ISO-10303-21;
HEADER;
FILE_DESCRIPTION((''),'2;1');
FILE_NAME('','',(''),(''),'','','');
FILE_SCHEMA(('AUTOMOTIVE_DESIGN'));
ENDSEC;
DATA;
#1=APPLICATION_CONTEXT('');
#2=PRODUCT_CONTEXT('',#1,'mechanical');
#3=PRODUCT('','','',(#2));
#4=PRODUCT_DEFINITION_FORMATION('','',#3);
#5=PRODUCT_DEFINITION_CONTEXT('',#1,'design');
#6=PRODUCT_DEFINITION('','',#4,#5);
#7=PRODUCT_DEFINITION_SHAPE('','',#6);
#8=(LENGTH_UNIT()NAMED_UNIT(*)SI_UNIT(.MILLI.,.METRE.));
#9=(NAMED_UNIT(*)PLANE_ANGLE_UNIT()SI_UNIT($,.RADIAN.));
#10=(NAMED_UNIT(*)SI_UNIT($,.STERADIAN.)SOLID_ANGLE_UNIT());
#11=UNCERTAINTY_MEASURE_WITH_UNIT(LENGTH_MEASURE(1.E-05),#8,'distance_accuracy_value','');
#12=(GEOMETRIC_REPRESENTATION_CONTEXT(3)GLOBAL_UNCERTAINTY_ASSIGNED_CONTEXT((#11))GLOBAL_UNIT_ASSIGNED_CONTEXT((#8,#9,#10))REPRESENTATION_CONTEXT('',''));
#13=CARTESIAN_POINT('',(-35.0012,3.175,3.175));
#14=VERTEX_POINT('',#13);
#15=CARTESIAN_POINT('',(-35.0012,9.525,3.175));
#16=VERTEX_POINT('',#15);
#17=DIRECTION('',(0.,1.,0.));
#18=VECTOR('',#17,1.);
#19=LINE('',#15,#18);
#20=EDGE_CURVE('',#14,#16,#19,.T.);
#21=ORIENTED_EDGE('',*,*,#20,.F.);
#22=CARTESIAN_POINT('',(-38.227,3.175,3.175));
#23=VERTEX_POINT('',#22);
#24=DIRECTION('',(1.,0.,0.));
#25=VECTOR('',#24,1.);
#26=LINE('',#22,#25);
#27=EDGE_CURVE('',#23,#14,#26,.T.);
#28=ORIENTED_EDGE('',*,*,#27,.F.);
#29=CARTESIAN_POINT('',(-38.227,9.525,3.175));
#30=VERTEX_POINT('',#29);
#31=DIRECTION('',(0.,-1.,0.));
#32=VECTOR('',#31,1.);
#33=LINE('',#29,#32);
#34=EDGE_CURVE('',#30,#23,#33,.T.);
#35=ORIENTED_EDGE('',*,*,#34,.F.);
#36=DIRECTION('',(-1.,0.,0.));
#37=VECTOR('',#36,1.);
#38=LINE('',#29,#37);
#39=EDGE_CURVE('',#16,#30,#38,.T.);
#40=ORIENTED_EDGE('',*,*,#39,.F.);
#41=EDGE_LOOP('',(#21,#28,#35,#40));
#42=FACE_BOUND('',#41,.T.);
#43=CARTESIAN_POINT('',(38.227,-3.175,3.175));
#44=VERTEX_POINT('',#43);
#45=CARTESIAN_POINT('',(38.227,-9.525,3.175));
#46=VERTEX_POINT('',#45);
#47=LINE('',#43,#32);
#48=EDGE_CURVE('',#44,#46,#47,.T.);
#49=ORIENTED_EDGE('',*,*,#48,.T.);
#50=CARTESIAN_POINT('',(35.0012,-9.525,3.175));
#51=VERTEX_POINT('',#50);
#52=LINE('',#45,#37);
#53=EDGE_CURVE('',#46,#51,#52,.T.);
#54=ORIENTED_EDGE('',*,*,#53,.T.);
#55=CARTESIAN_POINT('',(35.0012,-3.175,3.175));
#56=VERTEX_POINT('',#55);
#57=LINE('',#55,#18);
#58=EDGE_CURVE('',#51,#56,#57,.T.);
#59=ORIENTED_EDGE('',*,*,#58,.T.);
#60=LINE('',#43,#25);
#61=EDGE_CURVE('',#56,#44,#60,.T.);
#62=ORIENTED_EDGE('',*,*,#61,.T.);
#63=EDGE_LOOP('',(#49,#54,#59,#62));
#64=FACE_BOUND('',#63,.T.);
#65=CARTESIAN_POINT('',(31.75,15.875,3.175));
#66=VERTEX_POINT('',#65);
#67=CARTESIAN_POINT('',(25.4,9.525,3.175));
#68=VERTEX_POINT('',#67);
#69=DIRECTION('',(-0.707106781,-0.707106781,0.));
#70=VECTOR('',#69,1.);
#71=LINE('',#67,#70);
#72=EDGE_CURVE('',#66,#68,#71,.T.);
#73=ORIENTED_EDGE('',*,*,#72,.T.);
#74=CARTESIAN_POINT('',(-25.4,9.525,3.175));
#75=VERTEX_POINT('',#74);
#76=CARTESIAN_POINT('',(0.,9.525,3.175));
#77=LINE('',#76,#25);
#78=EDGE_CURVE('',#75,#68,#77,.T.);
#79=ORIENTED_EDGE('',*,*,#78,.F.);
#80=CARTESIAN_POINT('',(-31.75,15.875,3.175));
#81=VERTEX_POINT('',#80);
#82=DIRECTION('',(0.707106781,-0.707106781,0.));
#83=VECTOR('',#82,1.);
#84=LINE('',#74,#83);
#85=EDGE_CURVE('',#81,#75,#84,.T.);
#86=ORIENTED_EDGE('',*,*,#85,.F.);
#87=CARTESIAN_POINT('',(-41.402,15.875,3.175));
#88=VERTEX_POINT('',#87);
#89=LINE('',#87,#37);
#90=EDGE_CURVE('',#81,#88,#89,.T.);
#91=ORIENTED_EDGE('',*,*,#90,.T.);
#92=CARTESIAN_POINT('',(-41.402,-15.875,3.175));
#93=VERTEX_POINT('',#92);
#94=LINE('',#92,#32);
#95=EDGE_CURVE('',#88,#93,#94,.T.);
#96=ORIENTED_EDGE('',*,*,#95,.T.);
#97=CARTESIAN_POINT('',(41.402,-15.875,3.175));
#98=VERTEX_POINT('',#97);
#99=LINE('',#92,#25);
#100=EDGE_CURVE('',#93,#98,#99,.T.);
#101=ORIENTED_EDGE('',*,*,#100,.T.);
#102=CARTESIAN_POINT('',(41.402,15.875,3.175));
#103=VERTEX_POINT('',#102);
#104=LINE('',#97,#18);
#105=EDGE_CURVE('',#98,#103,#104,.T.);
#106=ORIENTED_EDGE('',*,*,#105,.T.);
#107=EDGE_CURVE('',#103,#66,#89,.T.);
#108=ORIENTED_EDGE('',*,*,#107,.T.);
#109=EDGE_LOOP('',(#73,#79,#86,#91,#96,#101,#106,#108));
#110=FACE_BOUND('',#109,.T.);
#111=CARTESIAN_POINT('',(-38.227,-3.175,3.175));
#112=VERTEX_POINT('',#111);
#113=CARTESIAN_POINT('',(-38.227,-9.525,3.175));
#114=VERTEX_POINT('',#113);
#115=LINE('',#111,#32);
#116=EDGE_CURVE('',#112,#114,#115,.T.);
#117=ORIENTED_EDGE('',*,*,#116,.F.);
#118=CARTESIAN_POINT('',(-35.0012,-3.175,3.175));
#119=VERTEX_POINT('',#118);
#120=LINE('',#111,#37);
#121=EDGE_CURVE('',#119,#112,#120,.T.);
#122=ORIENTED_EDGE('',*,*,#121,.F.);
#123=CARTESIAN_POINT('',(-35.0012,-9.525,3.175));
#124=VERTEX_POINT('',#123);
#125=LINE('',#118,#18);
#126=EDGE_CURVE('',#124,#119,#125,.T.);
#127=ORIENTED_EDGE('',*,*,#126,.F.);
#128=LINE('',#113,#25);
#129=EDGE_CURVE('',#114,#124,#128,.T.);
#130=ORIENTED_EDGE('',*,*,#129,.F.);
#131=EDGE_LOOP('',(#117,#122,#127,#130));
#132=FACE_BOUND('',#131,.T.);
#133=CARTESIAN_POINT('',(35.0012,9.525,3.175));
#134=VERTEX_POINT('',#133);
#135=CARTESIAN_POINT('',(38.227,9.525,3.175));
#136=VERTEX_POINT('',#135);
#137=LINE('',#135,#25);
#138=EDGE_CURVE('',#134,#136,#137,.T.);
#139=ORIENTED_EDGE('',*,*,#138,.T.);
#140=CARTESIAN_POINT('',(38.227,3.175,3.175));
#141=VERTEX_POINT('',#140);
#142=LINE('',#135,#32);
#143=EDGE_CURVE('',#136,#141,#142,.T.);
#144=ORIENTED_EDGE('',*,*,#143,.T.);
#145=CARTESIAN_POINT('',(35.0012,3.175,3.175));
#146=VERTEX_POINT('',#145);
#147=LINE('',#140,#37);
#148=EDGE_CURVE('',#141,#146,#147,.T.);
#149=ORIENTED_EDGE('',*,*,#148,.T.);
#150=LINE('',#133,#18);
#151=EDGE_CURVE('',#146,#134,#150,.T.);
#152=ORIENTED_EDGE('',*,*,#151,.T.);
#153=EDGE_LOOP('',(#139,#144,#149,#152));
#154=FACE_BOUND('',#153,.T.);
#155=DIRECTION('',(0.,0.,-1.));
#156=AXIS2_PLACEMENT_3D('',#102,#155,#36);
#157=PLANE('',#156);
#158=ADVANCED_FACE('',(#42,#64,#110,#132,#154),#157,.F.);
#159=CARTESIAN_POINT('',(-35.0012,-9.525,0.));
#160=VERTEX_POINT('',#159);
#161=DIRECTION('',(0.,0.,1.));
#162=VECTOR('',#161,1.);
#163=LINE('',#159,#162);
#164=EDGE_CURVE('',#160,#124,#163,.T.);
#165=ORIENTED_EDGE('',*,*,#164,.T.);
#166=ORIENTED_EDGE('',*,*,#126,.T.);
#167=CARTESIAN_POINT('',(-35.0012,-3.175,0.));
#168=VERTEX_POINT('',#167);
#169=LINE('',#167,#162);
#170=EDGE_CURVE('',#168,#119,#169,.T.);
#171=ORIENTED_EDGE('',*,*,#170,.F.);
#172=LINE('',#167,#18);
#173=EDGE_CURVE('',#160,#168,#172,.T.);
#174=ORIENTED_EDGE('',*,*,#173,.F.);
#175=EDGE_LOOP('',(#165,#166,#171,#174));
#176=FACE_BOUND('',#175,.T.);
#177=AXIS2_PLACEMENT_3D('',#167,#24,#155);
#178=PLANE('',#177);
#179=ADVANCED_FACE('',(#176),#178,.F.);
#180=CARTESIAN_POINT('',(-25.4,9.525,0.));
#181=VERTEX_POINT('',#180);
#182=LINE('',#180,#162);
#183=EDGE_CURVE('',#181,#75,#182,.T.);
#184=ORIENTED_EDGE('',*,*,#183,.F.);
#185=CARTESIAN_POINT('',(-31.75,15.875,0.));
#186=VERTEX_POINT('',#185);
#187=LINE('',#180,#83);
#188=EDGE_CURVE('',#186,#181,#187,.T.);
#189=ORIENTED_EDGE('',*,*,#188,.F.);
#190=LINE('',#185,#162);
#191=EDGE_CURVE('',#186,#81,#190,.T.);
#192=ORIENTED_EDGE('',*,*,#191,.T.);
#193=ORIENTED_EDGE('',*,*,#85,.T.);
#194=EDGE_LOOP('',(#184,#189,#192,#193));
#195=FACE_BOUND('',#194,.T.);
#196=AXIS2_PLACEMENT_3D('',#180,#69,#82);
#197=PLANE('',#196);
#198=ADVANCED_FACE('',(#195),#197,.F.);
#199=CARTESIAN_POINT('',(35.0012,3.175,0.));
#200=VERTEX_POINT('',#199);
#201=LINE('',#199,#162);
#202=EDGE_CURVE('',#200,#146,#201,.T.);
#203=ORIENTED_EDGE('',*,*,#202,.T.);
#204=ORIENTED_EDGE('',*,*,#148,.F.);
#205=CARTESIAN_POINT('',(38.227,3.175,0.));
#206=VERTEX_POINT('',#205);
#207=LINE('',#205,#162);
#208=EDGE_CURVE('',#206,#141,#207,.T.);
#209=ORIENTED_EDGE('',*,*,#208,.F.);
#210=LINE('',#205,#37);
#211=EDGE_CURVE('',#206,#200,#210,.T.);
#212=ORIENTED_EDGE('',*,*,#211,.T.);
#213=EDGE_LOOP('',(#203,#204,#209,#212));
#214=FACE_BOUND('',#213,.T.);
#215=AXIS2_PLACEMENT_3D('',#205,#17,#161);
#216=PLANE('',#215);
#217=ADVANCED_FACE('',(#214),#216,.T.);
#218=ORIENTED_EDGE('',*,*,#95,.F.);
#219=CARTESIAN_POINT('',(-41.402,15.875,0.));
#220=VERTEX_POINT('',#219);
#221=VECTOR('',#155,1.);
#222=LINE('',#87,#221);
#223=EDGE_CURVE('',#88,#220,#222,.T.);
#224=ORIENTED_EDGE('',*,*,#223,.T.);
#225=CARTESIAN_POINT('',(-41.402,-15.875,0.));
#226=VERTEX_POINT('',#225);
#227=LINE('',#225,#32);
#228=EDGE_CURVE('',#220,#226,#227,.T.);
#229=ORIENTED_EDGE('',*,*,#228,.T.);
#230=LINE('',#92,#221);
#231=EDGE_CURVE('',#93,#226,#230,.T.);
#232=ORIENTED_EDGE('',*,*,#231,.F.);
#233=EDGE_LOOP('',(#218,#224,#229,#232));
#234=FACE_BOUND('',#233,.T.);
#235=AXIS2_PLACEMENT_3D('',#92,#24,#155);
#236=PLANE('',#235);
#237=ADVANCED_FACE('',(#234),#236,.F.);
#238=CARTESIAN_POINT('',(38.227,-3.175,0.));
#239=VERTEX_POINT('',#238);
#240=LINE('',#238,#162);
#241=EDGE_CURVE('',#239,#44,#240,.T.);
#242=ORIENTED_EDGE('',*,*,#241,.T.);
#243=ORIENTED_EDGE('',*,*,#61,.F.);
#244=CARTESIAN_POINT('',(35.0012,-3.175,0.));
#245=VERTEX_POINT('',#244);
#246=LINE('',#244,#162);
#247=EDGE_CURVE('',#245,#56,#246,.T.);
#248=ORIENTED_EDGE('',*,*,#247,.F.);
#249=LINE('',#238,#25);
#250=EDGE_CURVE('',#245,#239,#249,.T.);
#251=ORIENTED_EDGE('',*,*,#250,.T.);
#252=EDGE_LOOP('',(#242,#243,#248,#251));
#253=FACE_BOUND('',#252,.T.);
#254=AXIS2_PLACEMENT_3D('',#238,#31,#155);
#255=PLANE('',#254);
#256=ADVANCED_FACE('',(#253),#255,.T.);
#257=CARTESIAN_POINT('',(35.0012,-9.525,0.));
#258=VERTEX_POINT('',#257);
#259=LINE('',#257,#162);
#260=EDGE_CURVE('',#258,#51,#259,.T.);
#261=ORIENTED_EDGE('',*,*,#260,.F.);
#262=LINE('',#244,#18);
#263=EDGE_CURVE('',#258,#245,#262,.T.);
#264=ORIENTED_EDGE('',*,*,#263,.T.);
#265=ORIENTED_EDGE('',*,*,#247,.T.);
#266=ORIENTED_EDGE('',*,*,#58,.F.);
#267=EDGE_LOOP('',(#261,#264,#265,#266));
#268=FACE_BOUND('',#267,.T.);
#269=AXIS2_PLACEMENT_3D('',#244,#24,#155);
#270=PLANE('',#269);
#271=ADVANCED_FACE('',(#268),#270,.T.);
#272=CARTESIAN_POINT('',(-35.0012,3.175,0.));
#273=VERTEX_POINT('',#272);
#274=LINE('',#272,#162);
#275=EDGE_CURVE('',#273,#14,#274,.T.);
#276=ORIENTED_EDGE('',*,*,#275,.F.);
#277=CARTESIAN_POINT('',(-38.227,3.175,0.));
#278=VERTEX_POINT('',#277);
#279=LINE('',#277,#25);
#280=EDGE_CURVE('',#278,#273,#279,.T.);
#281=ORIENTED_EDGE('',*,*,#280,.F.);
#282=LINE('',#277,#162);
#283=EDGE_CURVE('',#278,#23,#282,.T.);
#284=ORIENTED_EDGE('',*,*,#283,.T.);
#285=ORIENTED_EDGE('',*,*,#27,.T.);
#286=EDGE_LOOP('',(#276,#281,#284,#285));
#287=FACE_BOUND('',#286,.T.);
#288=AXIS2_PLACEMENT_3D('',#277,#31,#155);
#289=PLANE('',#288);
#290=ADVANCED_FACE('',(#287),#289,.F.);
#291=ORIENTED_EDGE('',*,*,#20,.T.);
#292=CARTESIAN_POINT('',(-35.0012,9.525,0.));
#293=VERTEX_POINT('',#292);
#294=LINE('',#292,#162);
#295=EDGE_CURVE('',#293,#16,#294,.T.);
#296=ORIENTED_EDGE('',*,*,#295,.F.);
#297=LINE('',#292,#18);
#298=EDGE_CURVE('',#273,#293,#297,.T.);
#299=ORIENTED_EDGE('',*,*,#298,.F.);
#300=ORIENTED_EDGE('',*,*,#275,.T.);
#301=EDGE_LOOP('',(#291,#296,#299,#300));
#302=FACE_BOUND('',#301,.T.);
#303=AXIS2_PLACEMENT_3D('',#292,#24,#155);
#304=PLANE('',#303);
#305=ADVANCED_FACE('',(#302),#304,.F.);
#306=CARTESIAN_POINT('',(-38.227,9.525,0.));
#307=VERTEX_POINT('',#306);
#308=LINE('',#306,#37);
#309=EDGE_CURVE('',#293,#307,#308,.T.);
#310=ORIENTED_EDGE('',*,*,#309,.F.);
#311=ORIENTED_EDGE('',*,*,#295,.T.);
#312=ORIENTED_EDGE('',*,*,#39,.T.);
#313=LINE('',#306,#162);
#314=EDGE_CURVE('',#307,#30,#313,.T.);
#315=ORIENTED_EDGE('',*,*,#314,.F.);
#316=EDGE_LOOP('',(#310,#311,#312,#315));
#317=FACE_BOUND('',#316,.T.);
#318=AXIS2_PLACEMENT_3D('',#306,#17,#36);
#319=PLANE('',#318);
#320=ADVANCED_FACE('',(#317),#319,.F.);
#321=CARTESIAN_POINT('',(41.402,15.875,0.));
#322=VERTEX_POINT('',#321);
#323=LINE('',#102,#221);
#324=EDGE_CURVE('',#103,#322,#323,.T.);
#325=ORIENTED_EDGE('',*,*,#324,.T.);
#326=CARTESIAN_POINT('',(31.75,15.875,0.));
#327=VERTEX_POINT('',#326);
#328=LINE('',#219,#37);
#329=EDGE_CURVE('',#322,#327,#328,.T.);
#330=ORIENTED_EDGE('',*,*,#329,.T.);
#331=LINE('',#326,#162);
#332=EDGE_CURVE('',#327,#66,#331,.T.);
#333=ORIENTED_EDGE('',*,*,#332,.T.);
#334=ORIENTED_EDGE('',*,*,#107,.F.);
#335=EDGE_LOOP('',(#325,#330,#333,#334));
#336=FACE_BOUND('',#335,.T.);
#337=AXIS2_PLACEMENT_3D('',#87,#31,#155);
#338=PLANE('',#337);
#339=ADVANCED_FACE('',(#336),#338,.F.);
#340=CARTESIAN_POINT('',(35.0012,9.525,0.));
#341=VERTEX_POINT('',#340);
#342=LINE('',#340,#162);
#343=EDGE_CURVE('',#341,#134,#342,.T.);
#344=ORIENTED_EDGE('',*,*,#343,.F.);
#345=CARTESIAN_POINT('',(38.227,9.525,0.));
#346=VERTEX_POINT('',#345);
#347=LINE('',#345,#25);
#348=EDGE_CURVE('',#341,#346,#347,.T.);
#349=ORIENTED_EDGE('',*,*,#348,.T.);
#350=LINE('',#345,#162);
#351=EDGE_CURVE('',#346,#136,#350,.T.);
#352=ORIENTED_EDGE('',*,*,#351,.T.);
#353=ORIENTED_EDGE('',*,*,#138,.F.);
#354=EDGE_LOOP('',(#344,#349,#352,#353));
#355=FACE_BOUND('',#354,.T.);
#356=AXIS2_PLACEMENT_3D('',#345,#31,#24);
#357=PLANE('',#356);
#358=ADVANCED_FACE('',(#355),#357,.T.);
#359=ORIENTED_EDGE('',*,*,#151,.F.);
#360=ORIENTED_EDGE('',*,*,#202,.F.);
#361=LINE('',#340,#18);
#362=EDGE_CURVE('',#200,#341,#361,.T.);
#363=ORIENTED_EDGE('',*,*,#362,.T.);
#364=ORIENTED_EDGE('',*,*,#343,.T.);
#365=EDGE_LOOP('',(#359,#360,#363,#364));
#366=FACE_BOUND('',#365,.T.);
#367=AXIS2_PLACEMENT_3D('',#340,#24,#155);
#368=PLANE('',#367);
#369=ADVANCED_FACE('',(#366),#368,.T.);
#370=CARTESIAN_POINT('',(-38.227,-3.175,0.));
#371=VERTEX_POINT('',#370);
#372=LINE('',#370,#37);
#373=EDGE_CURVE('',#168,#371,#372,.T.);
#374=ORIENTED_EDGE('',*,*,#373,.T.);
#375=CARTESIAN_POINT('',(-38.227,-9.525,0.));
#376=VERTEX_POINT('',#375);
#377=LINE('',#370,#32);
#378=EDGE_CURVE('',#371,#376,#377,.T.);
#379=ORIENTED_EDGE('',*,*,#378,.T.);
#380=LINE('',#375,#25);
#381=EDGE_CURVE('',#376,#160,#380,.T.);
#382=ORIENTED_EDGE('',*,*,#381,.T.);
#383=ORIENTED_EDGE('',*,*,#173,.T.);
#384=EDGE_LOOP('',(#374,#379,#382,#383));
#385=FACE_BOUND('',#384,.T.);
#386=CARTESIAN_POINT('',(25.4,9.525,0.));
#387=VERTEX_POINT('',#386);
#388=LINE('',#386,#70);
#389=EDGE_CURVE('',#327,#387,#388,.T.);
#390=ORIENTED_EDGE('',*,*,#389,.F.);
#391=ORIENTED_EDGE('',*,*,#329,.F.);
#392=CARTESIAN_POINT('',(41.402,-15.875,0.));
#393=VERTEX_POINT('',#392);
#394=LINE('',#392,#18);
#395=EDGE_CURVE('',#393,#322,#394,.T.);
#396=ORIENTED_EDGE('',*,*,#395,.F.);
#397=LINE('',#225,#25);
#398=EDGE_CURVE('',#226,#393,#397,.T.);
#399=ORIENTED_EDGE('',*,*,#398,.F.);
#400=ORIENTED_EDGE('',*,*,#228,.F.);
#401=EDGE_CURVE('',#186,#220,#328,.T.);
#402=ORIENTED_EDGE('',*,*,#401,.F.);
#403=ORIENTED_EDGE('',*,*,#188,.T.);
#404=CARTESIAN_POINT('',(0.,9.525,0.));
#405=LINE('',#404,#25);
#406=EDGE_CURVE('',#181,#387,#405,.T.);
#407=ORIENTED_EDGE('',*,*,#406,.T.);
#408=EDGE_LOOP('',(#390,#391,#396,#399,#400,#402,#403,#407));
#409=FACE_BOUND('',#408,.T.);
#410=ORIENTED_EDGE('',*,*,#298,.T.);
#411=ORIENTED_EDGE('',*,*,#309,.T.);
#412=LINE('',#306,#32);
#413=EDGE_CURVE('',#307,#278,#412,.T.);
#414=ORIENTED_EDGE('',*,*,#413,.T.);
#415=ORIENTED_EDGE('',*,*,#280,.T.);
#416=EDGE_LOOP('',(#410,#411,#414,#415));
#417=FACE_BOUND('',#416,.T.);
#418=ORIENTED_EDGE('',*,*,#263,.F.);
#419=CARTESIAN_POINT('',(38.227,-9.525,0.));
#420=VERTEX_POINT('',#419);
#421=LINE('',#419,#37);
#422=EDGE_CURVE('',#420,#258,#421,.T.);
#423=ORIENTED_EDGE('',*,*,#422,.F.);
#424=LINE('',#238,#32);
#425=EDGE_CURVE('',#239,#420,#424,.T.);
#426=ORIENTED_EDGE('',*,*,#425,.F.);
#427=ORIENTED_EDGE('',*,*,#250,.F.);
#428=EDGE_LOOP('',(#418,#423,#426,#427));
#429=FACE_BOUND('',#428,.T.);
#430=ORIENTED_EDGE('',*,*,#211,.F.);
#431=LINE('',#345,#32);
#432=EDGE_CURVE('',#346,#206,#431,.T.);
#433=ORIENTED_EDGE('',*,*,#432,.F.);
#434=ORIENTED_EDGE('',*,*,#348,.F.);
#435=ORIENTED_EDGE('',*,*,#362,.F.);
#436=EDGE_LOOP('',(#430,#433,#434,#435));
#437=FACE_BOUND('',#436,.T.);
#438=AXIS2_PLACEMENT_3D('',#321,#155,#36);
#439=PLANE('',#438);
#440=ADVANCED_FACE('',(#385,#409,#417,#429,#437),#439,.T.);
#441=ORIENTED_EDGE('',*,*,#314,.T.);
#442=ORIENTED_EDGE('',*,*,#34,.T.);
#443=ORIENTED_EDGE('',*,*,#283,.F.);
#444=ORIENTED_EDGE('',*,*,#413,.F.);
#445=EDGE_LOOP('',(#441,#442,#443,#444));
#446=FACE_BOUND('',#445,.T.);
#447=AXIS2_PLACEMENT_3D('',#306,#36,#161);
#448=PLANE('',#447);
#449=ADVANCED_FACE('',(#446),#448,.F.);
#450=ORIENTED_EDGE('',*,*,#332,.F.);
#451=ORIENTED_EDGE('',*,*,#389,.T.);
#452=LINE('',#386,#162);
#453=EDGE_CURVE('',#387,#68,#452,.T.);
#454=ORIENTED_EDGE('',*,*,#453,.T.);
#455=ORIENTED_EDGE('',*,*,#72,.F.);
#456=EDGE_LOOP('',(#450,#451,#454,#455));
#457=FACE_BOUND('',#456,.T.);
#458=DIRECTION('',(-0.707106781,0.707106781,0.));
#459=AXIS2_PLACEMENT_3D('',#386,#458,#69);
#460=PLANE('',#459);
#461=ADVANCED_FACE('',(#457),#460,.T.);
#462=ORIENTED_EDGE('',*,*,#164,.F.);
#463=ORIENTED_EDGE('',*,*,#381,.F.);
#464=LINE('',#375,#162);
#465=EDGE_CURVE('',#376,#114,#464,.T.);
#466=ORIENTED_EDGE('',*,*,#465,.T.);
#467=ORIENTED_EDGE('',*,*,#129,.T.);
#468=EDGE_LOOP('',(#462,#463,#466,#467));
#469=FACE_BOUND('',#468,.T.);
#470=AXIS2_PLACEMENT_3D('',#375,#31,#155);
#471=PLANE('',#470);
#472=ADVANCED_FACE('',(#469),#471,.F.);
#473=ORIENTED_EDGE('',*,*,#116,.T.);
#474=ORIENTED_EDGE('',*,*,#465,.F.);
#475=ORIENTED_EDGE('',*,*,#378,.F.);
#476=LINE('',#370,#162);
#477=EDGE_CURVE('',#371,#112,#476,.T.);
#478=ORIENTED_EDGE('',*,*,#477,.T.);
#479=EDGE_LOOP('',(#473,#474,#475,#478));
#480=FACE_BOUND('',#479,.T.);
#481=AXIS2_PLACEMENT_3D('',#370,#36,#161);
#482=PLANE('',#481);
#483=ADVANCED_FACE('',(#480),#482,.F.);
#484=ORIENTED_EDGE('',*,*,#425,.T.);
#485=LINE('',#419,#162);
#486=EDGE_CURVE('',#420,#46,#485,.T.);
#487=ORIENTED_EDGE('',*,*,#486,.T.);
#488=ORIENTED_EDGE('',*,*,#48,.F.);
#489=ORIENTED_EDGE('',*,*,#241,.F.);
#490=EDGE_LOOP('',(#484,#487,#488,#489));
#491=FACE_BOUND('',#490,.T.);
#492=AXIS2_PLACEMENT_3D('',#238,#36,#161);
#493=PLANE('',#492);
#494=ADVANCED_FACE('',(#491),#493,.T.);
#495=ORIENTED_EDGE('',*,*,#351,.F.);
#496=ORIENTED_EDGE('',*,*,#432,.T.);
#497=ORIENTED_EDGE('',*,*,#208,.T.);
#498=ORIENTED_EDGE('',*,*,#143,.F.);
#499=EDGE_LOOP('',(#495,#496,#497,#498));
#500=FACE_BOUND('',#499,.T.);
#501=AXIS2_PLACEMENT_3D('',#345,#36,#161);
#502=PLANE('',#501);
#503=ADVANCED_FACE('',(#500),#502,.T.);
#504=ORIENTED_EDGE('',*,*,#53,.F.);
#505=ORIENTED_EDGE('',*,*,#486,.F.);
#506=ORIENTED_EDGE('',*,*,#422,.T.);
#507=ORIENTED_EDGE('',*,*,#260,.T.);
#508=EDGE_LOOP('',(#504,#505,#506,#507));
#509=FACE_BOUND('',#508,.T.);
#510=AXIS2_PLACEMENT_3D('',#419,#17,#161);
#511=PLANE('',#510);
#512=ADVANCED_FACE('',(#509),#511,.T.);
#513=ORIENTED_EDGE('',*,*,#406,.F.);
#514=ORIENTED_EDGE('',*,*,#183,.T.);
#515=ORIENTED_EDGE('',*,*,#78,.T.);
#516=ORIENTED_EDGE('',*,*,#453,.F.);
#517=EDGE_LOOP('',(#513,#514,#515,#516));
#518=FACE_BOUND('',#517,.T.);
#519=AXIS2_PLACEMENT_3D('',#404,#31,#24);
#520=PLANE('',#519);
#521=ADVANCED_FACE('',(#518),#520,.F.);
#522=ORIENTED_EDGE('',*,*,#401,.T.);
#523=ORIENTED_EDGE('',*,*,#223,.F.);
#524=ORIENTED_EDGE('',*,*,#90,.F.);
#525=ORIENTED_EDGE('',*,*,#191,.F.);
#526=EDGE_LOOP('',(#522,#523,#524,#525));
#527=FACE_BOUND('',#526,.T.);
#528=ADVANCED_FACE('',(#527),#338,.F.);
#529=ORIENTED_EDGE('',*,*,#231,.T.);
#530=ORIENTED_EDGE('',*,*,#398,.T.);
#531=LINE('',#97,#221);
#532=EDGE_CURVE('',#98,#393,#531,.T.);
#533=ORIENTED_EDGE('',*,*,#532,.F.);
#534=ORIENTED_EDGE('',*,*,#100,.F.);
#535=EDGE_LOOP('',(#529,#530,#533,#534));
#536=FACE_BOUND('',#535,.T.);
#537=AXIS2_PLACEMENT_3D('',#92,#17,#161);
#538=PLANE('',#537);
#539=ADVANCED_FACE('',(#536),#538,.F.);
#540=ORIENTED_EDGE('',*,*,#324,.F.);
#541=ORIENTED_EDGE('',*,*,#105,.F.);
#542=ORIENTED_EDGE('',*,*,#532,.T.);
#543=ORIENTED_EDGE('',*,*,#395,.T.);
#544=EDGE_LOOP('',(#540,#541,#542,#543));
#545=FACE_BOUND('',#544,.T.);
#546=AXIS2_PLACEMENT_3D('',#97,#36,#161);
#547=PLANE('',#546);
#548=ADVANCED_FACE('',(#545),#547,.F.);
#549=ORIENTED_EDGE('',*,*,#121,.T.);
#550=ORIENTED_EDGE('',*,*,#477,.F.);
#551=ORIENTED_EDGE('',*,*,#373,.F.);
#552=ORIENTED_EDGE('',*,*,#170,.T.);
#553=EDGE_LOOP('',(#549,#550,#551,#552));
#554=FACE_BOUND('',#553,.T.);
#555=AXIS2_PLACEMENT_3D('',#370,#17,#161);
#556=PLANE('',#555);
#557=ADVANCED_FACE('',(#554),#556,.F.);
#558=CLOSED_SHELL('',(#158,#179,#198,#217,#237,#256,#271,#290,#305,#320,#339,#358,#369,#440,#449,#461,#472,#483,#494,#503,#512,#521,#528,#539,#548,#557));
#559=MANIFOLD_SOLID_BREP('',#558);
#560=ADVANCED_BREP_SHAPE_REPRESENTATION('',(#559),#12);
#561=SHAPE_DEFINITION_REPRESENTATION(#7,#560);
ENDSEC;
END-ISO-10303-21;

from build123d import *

# Parameters (mm, degrees)
SKETCH1_W           = 82.804
SKETCH1_H           = 31.75
BOSS_EXTRUDE1_DEPTH = 3.175
SKETCH2_W           = 3.2258
SKETCH2_H           = 6.35
CUT_FOR_TAB_DEPTH   = 4.175
CUT_EXTRUDE1_DEPTH  = 4.175


with BuildPart() as part:
    # Sketch1 → Boss-Extrude1 (new body)
    with BuildSketch(Plane.XY):
        Rectangle(SKETCH1_W, SKETCH1_H)
    extrude(amount=BOSS_EXTRUDE1_DEPTH)

    # Sketch2 → cut for tab (cut, through all)
    with BuildSketch(Plane.XY.offset(3.175)):
        with Locations((-36.6141, 6.35)):
            Rectangle(SKETCH2_W, SKETCH2_H)
        with Locations((-36.6141, -6.35)):
            Rectangle(SKETCH2_W, SKETCH2_H)
    cut_for_tab = extrude(amount=-CUT_FOR_TAB_DEPTH, mode=Mode.SUBTRACT)

    # Mirror1: cut for tab across plane
    add(cut_for_tab.mirror(Plane(origin=(0, 0, 0), x_dir=(0, 0, 1), z_dir=(1, 0, 0))), mode=Mode.SUBTRACT)

    # Sketch3 → Cut-Extrude1 (cut, through all)
    with BuildSketch(Plane.XY.offset(3.175)):
        Polygon((0, 15.875), (0, 9.525), (-25.4, 9.525), (-31.75, 15.875), align=None)
    cut_extrude1 = extrude(amount=-CUT_EXTRUDE1_DEPTH, mode=Mode.SUBTRACT)

    # Mirror2: Cut-Extrude1 across plane
    add(cut_extrude1.mirror(Plane(origin=(0, 0, 0), x_dir=(0, 0, 1), z_dir=(1, 0, 0))), mode=Mode.SUBTRACT)


solid = part.part
